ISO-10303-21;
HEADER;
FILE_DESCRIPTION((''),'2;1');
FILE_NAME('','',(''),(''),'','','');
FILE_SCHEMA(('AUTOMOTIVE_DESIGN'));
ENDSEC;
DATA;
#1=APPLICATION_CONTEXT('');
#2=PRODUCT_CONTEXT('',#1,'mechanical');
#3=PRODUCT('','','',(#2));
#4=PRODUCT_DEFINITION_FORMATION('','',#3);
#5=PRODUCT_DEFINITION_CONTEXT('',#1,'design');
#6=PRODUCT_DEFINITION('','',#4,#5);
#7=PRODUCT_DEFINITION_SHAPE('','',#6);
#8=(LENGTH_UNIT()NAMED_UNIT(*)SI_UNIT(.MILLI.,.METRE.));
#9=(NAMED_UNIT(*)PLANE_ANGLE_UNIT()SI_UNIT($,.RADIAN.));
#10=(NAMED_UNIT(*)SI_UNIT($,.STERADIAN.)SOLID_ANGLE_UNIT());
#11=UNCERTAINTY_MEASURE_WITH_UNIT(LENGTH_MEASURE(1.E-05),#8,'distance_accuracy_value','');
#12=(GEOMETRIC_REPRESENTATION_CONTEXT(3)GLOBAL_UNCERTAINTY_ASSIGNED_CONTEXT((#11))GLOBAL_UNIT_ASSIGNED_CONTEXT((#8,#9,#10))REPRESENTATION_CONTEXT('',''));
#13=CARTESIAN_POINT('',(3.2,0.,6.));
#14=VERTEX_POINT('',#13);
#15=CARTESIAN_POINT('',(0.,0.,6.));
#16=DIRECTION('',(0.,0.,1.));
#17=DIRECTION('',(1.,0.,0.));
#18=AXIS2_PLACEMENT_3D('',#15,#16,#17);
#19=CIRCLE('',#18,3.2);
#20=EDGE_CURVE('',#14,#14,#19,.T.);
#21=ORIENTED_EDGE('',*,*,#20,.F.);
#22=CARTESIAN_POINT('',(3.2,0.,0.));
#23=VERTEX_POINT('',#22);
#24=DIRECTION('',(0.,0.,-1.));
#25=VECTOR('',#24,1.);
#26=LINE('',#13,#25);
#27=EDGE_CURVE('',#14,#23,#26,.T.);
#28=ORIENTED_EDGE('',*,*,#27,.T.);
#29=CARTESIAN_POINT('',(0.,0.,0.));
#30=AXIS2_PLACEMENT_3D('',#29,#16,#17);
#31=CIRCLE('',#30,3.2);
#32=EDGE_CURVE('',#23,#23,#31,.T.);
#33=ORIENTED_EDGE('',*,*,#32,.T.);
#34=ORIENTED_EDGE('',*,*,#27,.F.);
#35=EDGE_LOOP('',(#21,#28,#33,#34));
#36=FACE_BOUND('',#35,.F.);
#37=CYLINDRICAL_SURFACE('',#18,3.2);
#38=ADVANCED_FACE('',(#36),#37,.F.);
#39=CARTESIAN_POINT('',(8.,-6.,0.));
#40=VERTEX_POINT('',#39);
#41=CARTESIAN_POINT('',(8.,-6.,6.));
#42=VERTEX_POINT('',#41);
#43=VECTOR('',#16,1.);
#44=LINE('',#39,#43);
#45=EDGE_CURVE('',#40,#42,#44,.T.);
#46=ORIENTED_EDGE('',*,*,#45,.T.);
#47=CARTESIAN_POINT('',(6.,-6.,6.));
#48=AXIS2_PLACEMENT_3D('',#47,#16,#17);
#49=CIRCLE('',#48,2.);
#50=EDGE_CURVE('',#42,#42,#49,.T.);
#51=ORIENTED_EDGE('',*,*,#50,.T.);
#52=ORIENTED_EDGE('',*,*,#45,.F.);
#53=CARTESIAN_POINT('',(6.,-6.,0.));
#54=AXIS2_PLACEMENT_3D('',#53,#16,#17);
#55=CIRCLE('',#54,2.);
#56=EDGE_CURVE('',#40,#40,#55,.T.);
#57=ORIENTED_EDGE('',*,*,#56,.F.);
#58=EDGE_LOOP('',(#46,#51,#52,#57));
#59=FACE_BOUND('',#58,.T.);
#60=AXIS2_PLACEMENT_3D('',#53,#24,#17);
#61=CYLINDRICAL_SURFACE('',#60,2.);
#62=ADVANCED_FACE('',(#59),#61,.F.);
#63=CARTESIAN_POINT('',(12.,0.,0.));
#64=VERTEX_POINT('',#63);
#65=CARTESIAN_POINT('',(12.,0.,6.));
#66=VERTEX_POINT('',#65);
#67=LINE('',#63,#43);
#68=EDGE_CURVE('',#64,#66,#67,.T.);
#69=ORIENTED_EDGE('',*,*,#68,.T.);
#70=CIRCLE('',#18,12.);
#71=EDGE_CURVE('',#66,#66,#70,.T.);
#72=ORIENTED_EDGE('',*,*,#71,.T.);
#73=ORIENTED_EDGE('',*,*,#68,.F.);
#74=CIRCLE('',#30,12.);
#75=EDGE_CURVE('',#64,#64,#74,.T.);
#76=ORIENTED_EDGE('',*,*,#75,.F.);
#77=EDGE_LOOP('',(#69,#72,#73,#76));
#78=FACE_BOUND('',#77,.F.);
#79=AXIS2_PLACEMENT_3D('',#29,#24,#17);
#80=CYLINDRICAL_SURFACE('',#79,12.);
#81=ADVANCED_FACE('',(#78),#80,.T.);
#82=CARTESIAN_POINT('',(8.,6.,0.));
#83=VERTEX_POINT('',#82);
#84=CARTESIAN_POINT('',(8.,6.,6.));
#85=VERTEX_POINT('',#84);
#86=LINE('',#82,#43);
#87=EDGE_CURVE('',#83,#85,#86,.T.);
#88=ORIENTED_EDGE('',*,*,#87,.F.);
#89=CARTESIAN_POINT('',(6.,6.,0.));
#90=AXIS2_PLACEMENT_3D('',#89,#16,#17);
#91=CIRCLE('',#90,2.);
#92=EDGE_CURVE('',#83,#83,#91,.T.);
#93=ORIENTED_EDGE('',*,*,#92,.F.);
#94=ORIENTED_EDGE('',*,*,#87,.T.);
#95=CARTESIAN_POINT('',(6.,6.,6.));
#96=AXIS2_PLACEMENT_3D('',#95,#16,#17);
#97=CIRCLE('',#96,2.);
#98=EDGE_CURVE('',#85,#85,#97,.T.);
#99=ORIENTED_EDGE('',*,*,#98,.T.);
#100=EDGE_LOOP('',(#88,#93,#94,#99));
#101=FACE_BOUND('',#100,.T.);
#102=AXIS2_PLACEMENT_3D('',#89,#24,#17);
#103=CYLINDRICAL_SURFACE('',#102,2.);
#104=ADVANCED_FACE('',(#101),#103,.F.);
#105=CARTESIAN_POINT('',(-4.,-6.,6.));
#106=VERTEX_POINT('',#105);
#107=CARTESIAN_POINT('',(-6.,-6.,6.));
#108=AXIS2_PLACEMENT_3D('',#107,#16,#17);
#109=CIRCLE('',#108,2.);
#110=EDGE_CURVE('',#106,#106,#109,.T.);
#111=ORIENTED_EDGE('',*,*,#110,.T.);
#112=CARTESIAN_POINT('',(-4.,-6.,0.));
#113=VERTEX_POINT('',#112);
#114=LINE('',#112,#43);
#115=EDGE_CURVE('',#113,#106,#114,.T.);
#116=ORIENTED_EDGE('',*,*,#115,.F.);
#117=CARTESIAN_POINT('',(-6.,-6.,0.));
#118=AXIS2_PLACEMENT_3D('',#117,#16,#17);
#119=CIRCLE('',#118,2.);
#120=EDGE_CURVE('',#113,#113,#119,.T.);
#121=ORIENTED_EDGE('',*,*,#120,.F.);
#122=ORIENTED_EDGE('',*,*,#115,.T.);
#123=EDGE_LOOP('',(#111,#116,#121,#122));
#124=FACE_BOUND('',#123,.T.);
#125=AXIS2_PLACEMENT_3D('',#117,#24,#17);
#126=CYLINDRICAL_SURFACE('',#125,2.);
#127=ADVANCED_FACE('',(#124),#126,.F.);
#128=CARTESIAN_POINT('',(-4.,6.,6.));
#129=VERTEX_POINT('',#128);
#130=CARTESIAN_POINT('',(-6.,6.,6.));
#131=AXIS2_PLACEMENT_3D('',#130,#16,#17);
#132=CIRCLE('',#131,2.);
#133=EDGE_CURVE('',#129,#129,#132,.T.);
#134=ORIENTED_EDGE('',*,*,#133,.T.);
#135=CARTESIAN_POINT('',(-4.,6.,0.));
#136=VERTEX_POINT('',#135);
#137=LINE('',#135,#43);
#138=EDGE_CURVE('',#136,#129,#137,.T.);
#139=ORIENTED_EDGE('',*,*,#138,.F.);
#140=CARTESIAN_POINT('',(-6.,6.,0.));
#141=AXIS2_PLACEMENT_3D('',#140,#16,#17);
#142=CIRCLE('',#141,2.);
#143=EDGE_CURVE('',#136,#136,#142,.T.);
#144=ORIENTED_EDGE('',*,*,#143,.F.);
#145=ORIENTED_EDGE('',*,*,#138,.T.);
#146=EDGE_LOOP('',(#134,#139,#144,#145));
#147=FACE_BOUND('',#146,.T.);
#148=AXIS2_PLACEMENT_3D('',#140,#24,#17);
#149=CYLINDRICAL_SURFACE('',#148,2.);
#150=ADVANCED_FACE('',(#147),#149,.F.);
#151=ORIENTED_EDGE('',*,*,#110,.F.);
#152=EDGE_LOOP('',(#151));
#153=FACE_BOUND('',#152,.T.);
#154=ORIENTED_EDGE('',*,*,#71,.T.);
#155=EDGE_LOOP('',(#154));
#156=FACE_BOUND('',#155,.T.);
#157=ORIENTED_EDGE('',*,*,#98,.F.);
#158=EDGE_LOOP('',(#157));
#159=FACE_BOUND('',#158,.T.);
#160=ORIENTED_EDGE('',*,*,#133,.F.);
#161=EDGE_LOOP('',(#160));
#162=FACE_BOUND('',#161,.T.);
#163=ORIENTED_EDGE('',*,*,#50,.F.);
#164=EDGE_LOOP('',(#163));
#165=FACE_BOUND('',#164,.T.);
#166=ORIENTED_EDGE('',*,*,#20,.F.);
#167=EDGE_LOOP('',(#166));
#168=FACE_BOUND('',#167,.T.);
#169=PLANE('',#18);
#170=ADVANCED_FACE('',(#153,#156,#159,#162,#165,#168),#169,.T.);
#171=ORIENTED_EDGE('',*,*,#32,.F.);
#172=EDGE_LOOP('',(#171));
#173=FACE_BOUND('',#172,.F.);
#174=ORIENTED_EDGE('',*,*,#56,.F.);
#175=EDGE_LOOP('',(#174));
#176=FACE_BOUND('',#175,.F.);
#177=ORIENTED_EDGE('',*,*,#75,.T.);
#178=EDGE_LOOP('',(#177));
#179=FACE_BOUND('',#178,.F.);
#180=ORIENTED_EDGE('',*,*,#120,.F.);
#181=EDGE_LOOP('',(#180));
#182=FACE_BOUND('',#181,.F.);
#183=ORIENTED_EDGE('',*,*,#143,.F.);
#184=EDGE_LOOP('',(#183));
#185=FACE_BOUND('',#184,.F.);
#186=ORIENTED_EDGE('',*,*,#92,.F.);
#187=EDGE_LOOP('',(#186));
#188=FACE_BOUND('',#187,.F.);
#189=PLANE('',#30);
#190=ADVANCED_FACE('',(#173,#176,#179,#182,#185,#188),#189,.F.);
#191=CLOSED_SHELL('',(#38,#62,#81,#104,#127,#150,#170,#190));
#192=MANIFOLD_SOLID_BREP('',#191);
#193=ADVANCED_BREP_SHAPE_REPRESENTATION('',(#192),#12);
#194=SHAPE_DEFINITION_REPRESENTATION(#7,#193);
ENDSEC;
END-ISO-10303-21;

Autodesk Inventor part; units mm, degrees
ref_plane "YZ Plane" through (0, 0, 0) normal (1, 0, 0) x (0, 1, 0)
ref_plane "XZ Plane" through (0, 0, 0) normal (0, 1, 0) x (-1, 0, 0)
ref_plane "XY Plane" through (0, 0, 0) normal (0, 0, 1) x (1, 0, 0)
sketch "Sketch1" plane through (0, 0, 0) normal (0, 0, 1) x (1, 0, 0)
  circle A0 centre (0, 0) radius 12
  circle A1 centre (-6, 6) radius 2
  circle A2 centre (-6, -6) radius 2
  circle A3 centre (6, -6) radius 2
  circle A4 centre (6, 6) radius 2
  dimension "d0" = 24
  dimension "d1" = 4
  dimension "d2" = 6
  dimension "d3" = 6
  dimension "d6" = 360
extrude "Extrusion1" add sketch "Sketch1" along normal blind 6
sketch "Sketch2" plane through (0, 0, 6) normal (0, 0, 1) x (1, 0, 0)
  circle A0 centre (0, 0) radius 3.2
  dimension "d10" = 6.4
extrude "Extrusion2" cut sketch "Sketch2" against normal through all
properties part number "MountingPiece"
